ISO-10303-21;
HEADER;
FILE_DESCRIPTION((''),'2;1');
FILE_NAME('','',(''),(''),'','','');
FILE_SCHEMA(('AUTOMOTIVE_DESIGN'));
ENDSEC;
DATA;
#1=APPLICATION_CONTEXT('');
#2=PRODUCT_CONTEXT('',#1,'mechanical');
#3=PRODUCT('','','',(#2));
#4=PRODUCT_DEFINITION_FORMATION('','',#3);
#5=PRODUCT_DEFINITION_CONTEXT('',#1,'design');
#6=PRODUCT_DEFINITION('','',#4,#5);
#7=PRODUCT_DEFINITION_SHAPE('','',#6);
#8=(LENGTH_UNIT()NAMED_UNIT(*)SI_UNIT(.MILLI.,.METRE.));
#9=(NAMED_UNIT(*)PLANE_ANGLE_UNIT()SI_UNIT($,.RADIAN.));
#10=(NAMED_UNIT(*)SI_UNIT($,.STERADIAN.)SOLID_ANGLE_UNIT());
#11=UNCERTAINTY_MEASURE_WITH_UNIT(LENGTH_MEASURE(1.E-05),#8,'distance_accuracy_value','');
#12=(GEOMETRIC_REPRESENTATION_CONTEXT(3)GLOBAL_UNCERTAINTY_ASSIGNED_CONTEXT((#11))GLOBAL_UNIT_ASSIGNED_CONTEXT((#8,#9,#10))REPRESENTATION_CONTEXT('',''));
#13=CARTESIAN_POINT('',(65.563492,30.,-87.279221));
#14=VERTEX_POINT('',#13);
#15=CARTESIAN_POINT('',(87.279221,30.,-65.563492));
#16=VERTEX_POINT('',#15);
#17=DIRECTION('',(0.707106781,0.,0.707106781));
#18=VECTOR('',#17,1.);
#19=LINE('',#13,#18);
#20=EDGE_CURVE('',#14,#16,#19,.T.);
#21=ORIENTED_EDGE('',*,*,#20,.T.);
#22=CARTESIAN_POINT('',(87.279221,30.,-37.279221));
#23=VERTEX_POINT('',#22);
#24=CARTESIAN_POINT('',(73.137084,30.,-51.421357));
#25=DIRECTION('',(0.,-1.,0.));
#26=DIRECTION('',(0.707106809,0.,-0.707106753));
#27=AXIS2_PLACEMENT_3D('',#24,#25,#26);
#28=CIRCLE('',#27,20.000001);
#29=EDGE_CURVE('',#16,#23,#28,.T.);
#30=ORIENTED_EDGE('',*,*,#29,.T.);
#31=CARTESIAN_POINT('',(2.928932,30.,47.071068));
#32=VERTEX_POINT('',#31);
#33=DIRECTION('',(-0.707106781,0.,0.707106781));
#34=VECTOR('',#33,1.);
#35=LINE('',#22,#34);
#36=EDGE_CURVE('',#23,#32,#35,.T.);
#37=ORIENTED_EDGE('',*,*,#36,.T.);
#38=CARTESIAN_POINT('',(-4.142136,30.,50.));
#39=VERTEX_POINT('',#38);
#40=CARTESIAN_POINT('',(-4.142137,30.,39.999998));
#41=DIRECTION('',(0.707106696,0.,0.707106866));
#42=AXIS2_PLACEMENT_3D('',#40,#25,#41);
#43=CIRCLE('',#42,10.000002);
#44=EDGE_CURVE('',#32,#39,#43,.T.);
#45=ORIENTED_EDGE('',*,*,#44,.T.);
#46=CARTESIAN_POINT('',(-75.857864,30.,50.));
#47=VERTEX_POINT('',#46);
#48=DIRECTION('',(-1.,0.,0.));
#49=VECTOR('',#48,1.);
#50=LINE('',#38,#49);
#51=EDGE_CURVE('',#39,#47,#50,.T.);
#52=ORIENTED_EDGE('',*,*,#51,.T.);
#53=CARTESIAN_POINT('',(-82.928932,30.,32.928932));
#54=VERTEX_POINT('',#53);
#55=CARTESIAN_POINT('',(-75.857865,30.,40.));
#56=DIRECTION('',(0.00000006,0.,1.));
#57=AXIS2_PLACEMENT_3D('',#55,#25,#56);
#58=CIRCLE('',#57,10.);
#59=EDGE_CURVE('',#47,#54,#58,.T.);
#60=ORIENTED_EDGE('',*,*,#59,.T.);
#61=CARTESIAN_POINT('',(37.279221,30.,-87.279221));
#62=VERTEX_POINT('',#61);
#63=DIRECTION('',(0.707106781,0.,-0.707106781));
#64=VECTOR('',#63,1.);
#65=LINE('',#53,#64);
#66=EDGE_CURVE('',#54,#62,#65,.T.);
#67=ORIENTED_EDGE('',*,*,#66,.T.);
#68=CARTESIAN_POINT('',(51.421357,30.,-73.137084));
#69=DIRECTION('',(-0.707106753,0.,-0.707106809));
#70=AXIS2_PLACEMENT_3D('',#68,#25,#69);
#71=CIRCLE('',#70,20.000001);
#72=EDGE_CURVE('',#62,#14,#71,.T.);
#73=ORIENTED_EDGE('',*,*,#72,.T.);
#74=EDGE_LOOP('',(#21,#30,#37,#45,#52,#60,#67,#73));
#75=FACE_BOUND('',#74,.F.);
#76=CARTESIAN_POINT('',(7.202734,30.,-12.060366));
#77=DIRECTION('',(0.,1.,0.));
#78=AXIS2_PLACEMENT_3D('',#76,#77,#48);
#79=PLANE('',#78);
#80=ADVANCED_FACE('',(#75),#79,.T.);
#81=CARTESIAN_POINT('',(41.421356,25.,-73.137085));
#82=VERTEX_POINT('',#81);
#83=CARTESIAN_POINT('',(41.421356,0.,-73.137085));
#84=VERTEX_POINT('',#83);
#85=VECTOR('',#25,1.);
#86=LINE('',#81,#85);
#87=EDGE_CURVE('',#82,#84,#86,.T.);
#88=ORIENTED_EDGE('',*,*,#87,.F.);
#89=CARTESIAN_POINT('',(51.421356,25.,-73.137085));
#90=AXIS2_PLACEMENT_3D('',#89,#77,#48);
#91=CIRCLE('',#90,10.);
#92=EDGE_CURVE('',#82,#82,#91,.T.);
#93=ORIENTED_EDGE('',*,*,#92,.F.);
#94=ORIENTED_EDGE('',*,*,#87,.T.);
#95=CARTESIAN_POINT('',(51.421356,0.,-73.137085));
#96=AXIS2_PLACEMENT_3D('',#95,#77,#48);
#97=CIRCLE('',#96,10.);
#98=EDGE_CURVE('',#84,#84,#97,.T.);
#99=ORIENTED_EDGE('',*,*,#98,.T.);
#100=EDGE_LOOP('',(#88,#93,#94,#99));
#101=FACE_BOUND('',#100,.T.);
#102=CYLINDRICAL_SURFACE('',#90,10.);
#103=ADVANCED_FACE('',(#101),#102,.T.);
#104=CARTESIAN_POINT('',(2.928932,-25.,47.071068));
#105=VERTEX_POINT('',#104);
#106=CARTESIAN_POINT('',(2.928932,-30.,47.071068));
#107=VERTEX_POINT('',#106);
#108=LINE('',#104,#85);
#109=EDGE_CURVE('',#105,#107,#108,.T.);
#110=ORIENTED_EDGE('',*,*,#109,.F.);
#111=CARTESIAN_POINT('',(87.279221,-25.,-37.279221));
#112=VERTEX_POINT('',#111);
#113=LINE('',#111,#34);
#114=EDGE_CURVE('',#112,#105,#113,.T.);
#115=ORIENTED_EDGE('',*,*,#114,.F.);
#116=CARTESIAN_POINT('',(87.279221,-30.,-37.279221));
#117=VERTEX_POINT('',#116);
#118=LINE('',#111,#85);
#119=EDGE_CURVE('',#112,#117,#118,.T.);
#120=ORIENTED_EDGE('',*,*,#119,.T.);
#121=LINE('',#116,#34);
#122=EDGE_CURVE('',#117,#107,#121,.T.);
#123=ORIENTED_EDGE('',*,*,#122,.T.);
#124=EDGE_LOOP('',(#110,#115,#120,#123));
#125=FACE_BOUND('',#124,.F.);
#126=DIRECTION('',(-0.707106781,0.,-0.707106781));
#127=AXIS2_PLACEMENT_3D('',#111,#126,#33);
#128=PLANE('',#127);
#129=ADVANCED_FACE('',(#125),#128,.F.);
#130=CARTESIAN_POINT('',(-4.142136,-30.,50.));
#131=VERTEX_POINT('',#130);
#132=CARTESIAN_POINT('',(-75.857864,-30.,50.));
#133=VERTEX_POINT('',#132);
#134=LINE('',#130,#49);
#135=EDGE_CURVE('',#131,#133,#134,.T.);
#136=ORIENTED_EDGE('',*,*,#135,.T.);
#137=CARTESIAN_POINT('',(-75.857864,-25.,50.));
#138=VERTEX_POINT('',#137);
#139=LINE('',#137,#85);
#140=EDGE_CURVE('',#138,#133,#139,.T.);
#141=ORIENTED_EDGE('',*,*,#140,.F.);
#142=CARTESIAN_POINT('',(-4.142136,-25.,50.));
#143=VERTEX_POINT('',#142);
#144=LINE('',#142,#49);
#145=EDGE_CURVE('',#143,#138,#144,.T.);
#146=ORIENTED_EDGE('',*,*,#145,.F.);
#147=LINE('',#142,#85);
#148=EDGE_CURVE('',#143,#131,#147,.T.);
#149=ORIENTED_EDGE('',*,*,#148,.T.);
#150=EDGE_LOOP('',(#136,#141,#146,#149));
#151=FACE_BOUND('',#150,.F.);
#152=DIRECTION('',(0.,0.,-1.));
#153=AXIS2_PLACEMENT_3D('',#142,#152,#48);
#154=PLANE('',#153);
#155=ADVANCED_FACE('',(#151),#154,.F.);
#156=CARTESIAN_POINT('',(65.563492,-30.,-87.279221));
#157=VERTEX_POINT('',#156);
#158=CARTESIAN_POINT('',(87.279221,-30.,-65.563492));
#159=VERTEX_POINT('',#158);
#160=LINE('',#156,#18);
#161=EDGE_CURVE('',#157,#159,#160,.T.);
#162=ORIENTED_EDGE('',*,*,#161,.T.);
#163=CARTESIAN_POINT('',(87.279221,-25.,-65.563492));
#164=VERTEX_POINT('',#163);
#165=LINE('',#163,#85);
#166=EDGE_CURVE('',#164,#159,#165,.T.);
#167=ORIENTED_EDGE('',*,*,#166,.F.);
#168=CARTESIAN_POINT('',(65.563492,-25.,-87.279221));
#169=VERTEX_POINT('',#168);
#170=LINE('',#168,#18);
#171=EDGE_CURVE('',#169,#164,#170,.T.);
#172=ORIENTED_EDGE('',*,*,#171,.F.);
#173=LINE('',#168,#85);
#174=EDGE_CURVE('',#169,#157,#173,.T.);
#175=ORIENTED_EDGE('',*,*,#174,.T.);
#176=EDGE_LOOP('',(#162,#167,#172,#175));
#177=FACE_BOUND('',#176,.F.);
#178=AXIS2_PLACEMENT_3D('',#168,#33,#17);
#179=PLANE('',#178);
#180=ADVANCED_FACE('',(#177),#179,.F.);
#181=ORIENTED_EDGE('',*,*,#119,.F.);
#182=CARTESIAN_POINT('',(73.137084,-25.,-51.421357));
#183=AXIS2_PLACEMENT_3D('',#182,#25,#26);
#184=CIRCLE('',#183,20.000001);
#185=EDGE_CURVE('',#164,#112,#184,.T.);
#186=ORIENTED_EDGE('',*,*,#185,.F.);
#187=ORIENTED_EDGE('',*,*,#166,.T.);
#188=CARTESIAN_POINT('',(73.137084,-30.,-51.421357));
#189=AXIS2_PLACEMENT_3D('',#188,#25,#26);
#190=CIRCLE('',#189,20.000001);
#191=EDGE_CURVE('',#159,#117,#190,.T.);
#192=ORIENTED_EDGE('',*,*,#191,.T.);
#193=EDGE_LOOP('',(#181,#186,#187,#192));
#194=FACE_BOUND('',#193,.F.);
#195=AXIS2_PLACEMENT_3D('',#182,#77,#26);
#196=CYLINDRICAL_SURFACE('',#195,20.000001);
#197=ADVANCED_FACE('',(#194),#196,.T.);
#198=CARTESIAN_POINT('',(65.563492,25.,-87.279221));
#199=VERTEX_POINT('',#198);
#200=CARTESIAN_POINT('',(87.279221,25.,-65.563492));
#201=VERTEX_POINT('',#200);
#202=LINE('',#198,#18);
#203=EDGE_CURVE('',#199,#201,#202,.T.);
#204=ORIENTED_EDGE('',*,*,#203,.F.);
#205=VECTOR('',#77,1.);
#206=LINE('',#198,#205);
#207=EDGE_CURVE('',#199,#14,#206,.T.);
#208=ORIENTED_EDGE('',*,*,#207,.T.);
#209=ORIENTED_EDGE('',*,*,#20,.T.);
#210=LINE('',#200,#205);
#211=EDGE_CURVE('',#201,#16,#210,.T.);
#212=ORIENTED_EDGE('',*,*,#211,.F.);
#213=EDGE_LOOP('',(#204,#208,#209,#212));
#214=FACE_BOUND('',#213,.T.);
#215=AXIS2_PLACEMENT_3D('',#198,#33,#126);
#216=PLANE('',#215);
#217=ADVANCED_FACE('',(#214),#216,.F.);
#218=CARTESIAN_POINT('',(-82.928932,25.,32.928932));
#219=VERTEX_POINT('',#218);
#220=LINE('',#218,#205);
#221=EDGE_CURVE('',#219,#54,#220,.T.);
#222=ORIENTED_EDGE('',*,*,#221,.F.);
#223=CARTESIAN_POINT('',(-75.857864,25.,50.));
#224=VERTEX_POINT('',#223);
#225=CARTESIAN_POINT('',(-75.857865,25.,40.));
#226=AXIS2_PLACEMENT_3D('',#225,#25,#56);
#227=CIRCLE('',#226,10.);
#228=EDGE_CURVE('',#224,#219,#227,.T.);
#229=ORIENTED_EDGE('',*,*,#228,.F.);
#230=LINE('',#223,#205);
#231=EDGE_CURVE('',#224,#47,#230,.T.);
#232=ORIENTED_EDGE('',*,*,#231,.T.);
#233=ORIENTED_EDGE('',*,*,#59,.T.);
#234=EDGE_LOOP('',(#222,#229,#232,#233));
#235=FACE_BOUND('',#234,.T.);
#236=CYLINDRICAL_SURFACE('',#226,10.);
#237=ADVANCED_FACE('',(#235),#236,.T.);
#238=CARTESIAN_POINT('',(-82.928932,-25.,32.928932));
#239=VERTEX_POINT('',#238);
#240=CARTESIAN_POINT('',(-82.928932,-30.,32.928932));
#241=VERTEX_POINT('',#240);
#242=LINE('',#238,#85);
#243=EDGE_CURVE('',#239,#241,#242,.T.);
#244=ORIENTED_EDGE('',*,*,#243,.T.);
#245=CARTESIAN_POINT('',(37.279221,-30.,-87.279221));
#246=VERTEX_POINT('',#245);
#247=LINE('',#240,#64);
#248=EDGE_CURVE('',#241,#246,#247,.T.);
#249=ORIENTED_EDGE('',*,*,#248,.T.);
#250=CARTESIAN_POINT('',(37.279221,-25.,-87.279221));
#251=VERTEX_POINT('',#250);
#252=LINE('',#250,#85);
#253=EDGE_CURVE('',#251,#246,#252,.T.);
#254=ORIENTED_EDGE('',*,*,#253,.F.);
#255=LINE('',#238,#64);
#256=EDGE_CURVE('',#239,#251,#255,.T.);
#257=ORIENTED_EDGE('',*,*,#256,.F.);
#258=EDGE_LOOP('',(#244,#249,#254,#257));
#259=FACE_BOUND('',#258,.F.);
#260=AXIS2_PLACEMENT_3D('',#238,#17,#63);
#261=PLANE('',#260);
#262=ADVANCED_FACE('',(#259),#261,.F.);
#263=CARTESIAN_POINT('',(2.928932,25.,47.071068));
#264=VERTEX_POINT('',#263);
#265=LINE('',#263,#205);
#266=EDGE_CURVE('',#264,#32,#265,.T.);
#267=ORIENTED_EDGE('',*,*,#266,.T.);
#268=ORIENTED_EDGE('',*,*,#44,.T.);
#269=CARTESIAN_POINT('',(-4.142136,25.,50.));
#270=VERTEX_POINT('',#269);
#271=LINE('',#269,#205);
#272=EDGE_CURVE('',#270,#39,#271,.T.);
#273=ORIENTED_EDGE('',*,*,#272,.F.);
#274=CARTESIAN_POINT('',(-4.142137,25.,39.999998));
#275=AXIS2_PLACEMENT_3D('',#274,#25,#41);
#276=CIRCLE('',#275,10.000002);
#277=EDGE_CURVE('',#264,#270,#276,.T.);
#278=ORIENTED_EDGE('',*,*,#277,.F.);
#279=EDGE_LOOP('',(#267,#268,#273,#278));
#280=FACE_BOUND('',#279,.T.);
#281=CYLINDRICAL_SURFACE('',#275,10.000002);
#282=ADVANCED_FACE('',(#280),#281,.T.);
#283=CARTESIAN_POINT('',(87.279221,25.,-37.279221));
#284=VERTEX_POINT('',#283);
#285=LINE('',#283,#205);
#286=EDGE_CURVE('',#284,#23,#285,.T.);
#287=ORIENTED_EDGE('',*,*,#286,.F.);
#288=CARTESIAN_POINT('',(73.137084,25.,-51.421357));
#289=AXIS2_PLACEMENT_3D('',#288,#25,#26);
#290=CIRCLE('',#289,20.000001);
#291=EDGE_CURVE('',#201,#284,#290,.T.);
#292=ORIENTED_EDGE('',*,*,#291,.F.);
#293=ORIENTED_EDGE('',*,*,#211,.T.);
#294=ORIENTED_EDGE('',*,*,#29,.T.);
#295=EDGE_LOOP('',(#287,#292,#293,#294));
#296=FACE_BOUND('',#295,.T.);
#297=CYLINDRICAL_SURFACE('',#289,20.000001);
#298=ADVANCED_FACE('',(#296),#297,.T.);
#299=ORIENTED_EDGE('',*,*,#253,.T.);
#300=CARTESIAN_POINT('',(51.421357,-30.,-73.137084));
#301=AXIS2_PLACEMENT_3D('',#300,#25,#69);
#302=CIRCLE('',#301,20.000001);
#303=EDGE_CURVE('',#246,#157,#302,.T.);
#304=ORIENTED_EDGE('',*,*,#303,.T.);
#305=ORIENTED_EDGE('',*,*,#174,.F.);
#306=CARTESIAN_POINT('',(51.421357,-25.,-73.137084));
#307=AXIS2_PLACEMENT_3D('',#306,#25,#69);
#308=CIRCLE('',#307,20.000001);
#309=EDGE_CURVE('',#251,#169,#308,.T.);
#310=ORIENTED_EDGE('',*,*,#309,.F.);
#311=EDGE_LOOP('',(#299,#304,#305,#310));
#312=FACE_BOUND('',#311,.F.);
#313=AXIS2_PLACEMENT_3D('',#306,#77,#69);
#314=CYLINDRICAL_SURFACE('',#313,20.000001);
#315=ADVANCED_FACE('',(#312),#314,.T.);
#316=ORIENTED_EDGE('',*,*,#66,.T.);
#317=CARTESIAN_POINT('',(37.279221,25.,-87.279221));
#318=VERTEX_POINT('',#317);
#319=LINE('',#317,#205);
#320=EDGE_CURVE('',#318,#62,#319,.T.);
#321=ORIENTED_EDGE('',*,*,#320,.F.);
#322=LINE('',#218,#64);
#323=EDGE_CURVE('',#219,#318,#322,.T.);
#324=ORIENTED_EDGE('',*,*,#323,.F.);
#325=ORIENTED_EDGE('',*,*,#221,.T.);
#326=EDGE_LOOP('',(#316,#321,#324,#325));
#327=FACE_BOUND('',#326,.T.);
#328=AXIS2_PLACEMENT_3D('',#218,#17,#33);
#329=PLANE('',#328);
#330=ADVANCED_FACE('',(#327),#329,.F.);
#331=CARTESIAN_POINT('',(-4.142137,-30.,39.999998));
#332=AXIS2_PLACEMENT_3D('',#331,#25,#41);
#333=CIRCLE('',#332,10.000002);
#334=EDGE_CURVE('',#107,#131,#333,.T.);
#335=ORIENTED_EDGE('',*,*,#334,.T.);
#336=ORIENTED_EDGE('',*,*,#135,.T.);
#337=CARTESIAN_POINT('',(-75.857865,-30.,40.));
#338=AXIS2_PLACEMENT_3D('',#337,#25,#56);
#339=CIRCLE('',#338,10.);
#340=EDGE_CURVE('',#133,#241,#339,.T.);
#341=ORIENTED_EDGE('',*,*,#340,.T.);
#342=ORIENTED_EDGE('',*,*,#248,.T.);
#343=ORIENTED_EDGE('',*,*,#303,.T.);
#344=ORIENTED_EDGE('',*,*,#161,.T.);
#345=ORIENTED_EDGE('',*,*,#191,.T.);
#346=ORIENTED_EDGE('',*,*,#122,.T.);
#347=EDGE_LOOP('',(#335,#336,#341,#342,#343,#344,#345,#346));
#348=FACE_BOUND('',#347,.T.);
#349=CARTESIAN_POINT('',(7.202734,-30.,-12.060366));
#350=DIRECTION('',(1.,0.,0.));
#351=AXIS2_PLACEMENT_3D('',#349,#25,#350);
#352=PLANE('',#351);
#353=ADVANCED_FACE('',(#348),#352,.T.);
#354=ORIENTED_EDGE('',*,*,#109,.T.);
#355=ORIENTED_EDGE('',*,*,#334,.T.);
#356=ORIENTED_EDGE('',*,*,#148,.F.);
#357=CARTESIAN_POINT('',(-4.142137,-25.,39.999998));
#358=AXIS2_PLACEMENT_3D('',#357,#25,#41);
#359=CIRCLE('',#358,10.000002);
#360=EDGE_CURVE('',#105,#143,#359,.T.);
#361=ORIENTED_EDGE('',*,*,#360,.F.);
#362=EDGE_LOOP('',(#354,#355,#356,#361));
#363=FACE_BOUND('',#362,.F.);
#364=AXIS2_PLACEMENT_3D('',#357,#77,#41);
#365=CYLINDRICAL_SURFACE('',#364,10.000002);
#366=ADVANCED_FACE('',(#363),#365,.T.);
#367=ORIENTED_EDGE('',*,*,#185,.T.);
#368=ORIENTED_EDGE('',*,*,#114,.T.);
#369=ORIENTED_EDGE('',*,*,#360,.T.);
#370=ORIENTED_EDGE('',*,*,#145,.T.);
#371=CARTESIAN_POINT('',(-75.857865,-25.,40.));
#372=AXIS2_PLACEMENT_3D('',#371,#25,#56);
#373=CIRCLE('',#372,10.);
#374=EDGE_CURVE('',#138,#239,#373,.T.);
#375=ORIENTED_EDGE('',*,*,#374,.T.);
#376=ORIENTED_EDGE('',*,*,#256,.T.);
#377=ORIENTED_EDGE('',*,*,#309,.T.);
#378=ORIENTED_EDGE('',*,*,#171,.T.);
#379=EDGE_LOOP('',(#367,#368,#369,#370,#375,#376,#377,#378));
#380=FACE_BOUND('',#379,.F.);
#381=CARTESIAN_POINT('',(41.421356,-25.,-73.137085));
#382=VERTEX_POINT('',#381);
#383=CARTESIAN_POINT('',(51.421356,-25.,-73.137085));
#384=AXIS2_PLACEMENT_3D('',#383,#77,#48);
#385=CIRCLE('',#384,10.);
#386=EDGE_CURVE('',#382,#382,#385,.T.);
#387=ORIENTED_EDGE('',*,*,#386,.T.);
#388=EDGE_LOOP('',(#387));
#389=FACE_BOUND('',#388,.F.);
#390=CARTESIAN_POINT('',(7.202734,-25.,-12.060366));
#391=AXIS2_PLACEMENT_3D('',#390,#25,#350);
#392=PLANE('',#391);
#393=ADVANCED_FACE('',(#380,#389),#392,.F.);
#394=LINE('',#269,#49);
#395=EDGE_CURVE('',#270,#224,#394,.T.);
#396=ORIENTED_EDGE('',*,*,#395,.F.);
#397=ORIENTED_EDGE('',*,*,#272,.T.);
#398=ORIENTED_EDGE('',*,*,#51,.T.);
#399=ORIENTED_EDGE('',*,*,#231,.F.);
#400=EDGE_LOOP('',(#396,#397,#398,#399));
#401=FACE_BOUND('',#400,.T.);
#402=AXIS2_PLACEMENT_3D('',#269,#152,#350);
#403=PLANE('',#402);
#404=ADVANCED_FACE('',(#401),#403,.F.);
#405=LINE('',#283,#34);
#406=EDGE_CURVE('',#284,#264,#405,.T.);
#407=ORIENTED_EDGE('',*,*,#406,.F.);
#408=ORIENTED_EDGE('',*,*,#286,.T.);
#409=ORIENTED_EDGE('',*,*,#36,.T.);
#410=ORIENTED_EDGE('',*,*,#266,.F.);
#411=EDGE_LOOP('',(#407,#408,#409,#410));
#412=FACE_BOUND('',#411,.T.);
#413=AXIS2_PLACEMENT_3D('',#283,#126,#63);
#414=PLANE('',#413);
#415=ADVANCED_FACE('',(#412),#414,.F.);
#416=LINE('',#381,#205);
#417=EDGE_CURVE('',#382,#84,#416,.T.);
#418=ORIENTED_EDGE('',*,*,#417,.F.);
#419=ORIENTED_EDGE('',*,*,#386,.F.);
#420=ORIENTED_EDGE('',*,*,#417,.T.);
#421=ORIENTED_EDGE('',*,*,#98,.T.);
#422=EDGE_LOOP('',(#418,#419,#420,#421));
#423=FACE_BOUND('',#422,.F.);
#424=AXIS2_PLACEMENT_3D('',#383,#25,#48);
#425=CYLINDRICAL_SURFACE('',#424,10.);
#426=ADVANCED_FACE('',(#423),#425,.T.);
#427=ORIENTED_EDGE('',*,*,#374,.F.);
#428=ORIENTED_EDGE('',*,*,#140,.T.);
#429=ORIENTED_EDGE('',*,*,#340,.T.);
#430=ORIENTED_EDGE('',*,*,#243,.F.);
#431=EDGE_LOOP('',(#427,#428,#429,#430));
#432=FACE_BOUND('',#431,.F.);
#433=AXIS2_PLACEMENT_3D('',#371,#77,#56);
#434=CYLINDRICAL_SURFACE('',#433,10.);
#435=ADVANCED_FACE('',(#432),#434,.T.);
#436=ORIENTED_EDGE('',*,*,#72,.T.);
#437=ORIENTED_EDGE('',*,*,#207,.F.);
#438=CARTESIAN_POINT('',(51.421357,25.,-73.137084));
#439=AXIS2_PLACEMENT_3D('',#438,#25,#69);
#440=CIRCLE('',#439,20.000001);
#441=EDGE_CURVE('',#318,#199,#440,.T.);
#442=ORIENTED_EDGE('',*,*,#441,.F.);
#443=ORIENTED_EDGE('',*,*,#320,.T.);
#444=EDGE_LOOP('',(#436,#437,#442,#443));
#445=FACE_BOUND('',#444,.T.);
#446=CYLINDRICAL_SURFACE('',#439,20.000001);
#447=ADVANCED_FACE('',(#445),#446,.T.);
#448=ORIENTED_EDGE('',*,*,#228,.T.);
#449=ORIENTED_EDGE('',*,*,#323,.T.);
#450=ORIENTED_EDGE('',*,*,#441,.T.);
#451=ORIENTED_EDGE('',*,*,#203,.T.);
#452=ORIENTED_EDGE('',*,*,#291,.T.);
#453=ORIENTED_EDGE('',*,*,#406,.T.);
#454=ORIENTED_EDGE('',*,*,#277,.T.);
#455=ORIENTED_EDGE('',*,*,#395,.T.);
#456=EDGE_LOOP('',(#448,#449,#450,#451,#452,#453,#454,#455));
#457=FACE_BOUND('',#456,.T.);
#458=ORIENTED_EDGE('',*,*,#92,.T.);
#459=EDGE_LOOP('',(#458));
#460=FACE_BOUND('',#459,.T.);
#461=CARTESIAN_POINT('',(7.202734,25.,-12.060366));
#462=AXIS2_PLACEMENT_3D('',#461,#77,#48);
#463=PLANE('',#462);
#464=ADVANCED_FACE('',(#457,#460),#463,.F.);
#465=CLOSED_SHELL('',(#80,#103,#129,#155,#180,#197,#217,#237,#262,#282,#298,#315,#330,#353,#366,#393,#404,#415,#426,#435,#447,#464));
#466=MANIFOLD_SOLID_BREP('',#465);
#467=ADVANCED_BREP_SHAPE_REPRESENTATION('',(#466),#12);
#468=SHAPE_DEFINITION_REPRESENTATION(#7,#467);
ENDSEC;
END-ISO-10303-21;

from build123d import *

# Parameters (mm, degrees)
F2_DEPTH = 5
F3_R     = 10
F4_DEPTH = 25


with BuildPart() as f2:
    # F1 (on offset) → F2 (new body)
    with BuildSketch(Plane.XZ.offset(25)):
        with BuildLine():
            Line((-4.142136, 50), (-75.857864, 50))
            ThreePointArc((-75.857864, 50), (-85.09666, 43.826834), (-82.928932, 32.928932))
            Line((-82.928932, 32.928932), (37.279221, -87.279221))
            ThreePointArc((37.279221, -87.279221), (51.421356, -93.137085), (65.563492, -87.279221))
            Line((65.563492, -87.279221), (87.279221, -65.563492))
            ThreePointArc((87.279221, -65.563492), (93.137085, -51.421356), (87.279221, -37.279221))
            Line((87.279221, -37.279221), (2.928932, 47.071068))
            ThreePointArc((2.928932, 47.071068), (-0.315301, 49.238795), (-4.142136, 50))
        make_face()
    extrude(amount=F2_DEPTH)

    # F3 (on face) → F4 (join)
    with BuildSketch(Plane(origin=(0, -25, 0), x_dir=(-1, 0, 0), z_dir=(0, 1, 0))):
        with Locations((-51.421356, -73.137085)):
            Circle(F3_R)
    extrude(amount=F4_DEPTH)

    # F5: F2 across plane


with BuildPart() as f2_1:
    add(f2.part)
    add(f2.part.mirror(Plane.XZ))


solid = f2_1.part
